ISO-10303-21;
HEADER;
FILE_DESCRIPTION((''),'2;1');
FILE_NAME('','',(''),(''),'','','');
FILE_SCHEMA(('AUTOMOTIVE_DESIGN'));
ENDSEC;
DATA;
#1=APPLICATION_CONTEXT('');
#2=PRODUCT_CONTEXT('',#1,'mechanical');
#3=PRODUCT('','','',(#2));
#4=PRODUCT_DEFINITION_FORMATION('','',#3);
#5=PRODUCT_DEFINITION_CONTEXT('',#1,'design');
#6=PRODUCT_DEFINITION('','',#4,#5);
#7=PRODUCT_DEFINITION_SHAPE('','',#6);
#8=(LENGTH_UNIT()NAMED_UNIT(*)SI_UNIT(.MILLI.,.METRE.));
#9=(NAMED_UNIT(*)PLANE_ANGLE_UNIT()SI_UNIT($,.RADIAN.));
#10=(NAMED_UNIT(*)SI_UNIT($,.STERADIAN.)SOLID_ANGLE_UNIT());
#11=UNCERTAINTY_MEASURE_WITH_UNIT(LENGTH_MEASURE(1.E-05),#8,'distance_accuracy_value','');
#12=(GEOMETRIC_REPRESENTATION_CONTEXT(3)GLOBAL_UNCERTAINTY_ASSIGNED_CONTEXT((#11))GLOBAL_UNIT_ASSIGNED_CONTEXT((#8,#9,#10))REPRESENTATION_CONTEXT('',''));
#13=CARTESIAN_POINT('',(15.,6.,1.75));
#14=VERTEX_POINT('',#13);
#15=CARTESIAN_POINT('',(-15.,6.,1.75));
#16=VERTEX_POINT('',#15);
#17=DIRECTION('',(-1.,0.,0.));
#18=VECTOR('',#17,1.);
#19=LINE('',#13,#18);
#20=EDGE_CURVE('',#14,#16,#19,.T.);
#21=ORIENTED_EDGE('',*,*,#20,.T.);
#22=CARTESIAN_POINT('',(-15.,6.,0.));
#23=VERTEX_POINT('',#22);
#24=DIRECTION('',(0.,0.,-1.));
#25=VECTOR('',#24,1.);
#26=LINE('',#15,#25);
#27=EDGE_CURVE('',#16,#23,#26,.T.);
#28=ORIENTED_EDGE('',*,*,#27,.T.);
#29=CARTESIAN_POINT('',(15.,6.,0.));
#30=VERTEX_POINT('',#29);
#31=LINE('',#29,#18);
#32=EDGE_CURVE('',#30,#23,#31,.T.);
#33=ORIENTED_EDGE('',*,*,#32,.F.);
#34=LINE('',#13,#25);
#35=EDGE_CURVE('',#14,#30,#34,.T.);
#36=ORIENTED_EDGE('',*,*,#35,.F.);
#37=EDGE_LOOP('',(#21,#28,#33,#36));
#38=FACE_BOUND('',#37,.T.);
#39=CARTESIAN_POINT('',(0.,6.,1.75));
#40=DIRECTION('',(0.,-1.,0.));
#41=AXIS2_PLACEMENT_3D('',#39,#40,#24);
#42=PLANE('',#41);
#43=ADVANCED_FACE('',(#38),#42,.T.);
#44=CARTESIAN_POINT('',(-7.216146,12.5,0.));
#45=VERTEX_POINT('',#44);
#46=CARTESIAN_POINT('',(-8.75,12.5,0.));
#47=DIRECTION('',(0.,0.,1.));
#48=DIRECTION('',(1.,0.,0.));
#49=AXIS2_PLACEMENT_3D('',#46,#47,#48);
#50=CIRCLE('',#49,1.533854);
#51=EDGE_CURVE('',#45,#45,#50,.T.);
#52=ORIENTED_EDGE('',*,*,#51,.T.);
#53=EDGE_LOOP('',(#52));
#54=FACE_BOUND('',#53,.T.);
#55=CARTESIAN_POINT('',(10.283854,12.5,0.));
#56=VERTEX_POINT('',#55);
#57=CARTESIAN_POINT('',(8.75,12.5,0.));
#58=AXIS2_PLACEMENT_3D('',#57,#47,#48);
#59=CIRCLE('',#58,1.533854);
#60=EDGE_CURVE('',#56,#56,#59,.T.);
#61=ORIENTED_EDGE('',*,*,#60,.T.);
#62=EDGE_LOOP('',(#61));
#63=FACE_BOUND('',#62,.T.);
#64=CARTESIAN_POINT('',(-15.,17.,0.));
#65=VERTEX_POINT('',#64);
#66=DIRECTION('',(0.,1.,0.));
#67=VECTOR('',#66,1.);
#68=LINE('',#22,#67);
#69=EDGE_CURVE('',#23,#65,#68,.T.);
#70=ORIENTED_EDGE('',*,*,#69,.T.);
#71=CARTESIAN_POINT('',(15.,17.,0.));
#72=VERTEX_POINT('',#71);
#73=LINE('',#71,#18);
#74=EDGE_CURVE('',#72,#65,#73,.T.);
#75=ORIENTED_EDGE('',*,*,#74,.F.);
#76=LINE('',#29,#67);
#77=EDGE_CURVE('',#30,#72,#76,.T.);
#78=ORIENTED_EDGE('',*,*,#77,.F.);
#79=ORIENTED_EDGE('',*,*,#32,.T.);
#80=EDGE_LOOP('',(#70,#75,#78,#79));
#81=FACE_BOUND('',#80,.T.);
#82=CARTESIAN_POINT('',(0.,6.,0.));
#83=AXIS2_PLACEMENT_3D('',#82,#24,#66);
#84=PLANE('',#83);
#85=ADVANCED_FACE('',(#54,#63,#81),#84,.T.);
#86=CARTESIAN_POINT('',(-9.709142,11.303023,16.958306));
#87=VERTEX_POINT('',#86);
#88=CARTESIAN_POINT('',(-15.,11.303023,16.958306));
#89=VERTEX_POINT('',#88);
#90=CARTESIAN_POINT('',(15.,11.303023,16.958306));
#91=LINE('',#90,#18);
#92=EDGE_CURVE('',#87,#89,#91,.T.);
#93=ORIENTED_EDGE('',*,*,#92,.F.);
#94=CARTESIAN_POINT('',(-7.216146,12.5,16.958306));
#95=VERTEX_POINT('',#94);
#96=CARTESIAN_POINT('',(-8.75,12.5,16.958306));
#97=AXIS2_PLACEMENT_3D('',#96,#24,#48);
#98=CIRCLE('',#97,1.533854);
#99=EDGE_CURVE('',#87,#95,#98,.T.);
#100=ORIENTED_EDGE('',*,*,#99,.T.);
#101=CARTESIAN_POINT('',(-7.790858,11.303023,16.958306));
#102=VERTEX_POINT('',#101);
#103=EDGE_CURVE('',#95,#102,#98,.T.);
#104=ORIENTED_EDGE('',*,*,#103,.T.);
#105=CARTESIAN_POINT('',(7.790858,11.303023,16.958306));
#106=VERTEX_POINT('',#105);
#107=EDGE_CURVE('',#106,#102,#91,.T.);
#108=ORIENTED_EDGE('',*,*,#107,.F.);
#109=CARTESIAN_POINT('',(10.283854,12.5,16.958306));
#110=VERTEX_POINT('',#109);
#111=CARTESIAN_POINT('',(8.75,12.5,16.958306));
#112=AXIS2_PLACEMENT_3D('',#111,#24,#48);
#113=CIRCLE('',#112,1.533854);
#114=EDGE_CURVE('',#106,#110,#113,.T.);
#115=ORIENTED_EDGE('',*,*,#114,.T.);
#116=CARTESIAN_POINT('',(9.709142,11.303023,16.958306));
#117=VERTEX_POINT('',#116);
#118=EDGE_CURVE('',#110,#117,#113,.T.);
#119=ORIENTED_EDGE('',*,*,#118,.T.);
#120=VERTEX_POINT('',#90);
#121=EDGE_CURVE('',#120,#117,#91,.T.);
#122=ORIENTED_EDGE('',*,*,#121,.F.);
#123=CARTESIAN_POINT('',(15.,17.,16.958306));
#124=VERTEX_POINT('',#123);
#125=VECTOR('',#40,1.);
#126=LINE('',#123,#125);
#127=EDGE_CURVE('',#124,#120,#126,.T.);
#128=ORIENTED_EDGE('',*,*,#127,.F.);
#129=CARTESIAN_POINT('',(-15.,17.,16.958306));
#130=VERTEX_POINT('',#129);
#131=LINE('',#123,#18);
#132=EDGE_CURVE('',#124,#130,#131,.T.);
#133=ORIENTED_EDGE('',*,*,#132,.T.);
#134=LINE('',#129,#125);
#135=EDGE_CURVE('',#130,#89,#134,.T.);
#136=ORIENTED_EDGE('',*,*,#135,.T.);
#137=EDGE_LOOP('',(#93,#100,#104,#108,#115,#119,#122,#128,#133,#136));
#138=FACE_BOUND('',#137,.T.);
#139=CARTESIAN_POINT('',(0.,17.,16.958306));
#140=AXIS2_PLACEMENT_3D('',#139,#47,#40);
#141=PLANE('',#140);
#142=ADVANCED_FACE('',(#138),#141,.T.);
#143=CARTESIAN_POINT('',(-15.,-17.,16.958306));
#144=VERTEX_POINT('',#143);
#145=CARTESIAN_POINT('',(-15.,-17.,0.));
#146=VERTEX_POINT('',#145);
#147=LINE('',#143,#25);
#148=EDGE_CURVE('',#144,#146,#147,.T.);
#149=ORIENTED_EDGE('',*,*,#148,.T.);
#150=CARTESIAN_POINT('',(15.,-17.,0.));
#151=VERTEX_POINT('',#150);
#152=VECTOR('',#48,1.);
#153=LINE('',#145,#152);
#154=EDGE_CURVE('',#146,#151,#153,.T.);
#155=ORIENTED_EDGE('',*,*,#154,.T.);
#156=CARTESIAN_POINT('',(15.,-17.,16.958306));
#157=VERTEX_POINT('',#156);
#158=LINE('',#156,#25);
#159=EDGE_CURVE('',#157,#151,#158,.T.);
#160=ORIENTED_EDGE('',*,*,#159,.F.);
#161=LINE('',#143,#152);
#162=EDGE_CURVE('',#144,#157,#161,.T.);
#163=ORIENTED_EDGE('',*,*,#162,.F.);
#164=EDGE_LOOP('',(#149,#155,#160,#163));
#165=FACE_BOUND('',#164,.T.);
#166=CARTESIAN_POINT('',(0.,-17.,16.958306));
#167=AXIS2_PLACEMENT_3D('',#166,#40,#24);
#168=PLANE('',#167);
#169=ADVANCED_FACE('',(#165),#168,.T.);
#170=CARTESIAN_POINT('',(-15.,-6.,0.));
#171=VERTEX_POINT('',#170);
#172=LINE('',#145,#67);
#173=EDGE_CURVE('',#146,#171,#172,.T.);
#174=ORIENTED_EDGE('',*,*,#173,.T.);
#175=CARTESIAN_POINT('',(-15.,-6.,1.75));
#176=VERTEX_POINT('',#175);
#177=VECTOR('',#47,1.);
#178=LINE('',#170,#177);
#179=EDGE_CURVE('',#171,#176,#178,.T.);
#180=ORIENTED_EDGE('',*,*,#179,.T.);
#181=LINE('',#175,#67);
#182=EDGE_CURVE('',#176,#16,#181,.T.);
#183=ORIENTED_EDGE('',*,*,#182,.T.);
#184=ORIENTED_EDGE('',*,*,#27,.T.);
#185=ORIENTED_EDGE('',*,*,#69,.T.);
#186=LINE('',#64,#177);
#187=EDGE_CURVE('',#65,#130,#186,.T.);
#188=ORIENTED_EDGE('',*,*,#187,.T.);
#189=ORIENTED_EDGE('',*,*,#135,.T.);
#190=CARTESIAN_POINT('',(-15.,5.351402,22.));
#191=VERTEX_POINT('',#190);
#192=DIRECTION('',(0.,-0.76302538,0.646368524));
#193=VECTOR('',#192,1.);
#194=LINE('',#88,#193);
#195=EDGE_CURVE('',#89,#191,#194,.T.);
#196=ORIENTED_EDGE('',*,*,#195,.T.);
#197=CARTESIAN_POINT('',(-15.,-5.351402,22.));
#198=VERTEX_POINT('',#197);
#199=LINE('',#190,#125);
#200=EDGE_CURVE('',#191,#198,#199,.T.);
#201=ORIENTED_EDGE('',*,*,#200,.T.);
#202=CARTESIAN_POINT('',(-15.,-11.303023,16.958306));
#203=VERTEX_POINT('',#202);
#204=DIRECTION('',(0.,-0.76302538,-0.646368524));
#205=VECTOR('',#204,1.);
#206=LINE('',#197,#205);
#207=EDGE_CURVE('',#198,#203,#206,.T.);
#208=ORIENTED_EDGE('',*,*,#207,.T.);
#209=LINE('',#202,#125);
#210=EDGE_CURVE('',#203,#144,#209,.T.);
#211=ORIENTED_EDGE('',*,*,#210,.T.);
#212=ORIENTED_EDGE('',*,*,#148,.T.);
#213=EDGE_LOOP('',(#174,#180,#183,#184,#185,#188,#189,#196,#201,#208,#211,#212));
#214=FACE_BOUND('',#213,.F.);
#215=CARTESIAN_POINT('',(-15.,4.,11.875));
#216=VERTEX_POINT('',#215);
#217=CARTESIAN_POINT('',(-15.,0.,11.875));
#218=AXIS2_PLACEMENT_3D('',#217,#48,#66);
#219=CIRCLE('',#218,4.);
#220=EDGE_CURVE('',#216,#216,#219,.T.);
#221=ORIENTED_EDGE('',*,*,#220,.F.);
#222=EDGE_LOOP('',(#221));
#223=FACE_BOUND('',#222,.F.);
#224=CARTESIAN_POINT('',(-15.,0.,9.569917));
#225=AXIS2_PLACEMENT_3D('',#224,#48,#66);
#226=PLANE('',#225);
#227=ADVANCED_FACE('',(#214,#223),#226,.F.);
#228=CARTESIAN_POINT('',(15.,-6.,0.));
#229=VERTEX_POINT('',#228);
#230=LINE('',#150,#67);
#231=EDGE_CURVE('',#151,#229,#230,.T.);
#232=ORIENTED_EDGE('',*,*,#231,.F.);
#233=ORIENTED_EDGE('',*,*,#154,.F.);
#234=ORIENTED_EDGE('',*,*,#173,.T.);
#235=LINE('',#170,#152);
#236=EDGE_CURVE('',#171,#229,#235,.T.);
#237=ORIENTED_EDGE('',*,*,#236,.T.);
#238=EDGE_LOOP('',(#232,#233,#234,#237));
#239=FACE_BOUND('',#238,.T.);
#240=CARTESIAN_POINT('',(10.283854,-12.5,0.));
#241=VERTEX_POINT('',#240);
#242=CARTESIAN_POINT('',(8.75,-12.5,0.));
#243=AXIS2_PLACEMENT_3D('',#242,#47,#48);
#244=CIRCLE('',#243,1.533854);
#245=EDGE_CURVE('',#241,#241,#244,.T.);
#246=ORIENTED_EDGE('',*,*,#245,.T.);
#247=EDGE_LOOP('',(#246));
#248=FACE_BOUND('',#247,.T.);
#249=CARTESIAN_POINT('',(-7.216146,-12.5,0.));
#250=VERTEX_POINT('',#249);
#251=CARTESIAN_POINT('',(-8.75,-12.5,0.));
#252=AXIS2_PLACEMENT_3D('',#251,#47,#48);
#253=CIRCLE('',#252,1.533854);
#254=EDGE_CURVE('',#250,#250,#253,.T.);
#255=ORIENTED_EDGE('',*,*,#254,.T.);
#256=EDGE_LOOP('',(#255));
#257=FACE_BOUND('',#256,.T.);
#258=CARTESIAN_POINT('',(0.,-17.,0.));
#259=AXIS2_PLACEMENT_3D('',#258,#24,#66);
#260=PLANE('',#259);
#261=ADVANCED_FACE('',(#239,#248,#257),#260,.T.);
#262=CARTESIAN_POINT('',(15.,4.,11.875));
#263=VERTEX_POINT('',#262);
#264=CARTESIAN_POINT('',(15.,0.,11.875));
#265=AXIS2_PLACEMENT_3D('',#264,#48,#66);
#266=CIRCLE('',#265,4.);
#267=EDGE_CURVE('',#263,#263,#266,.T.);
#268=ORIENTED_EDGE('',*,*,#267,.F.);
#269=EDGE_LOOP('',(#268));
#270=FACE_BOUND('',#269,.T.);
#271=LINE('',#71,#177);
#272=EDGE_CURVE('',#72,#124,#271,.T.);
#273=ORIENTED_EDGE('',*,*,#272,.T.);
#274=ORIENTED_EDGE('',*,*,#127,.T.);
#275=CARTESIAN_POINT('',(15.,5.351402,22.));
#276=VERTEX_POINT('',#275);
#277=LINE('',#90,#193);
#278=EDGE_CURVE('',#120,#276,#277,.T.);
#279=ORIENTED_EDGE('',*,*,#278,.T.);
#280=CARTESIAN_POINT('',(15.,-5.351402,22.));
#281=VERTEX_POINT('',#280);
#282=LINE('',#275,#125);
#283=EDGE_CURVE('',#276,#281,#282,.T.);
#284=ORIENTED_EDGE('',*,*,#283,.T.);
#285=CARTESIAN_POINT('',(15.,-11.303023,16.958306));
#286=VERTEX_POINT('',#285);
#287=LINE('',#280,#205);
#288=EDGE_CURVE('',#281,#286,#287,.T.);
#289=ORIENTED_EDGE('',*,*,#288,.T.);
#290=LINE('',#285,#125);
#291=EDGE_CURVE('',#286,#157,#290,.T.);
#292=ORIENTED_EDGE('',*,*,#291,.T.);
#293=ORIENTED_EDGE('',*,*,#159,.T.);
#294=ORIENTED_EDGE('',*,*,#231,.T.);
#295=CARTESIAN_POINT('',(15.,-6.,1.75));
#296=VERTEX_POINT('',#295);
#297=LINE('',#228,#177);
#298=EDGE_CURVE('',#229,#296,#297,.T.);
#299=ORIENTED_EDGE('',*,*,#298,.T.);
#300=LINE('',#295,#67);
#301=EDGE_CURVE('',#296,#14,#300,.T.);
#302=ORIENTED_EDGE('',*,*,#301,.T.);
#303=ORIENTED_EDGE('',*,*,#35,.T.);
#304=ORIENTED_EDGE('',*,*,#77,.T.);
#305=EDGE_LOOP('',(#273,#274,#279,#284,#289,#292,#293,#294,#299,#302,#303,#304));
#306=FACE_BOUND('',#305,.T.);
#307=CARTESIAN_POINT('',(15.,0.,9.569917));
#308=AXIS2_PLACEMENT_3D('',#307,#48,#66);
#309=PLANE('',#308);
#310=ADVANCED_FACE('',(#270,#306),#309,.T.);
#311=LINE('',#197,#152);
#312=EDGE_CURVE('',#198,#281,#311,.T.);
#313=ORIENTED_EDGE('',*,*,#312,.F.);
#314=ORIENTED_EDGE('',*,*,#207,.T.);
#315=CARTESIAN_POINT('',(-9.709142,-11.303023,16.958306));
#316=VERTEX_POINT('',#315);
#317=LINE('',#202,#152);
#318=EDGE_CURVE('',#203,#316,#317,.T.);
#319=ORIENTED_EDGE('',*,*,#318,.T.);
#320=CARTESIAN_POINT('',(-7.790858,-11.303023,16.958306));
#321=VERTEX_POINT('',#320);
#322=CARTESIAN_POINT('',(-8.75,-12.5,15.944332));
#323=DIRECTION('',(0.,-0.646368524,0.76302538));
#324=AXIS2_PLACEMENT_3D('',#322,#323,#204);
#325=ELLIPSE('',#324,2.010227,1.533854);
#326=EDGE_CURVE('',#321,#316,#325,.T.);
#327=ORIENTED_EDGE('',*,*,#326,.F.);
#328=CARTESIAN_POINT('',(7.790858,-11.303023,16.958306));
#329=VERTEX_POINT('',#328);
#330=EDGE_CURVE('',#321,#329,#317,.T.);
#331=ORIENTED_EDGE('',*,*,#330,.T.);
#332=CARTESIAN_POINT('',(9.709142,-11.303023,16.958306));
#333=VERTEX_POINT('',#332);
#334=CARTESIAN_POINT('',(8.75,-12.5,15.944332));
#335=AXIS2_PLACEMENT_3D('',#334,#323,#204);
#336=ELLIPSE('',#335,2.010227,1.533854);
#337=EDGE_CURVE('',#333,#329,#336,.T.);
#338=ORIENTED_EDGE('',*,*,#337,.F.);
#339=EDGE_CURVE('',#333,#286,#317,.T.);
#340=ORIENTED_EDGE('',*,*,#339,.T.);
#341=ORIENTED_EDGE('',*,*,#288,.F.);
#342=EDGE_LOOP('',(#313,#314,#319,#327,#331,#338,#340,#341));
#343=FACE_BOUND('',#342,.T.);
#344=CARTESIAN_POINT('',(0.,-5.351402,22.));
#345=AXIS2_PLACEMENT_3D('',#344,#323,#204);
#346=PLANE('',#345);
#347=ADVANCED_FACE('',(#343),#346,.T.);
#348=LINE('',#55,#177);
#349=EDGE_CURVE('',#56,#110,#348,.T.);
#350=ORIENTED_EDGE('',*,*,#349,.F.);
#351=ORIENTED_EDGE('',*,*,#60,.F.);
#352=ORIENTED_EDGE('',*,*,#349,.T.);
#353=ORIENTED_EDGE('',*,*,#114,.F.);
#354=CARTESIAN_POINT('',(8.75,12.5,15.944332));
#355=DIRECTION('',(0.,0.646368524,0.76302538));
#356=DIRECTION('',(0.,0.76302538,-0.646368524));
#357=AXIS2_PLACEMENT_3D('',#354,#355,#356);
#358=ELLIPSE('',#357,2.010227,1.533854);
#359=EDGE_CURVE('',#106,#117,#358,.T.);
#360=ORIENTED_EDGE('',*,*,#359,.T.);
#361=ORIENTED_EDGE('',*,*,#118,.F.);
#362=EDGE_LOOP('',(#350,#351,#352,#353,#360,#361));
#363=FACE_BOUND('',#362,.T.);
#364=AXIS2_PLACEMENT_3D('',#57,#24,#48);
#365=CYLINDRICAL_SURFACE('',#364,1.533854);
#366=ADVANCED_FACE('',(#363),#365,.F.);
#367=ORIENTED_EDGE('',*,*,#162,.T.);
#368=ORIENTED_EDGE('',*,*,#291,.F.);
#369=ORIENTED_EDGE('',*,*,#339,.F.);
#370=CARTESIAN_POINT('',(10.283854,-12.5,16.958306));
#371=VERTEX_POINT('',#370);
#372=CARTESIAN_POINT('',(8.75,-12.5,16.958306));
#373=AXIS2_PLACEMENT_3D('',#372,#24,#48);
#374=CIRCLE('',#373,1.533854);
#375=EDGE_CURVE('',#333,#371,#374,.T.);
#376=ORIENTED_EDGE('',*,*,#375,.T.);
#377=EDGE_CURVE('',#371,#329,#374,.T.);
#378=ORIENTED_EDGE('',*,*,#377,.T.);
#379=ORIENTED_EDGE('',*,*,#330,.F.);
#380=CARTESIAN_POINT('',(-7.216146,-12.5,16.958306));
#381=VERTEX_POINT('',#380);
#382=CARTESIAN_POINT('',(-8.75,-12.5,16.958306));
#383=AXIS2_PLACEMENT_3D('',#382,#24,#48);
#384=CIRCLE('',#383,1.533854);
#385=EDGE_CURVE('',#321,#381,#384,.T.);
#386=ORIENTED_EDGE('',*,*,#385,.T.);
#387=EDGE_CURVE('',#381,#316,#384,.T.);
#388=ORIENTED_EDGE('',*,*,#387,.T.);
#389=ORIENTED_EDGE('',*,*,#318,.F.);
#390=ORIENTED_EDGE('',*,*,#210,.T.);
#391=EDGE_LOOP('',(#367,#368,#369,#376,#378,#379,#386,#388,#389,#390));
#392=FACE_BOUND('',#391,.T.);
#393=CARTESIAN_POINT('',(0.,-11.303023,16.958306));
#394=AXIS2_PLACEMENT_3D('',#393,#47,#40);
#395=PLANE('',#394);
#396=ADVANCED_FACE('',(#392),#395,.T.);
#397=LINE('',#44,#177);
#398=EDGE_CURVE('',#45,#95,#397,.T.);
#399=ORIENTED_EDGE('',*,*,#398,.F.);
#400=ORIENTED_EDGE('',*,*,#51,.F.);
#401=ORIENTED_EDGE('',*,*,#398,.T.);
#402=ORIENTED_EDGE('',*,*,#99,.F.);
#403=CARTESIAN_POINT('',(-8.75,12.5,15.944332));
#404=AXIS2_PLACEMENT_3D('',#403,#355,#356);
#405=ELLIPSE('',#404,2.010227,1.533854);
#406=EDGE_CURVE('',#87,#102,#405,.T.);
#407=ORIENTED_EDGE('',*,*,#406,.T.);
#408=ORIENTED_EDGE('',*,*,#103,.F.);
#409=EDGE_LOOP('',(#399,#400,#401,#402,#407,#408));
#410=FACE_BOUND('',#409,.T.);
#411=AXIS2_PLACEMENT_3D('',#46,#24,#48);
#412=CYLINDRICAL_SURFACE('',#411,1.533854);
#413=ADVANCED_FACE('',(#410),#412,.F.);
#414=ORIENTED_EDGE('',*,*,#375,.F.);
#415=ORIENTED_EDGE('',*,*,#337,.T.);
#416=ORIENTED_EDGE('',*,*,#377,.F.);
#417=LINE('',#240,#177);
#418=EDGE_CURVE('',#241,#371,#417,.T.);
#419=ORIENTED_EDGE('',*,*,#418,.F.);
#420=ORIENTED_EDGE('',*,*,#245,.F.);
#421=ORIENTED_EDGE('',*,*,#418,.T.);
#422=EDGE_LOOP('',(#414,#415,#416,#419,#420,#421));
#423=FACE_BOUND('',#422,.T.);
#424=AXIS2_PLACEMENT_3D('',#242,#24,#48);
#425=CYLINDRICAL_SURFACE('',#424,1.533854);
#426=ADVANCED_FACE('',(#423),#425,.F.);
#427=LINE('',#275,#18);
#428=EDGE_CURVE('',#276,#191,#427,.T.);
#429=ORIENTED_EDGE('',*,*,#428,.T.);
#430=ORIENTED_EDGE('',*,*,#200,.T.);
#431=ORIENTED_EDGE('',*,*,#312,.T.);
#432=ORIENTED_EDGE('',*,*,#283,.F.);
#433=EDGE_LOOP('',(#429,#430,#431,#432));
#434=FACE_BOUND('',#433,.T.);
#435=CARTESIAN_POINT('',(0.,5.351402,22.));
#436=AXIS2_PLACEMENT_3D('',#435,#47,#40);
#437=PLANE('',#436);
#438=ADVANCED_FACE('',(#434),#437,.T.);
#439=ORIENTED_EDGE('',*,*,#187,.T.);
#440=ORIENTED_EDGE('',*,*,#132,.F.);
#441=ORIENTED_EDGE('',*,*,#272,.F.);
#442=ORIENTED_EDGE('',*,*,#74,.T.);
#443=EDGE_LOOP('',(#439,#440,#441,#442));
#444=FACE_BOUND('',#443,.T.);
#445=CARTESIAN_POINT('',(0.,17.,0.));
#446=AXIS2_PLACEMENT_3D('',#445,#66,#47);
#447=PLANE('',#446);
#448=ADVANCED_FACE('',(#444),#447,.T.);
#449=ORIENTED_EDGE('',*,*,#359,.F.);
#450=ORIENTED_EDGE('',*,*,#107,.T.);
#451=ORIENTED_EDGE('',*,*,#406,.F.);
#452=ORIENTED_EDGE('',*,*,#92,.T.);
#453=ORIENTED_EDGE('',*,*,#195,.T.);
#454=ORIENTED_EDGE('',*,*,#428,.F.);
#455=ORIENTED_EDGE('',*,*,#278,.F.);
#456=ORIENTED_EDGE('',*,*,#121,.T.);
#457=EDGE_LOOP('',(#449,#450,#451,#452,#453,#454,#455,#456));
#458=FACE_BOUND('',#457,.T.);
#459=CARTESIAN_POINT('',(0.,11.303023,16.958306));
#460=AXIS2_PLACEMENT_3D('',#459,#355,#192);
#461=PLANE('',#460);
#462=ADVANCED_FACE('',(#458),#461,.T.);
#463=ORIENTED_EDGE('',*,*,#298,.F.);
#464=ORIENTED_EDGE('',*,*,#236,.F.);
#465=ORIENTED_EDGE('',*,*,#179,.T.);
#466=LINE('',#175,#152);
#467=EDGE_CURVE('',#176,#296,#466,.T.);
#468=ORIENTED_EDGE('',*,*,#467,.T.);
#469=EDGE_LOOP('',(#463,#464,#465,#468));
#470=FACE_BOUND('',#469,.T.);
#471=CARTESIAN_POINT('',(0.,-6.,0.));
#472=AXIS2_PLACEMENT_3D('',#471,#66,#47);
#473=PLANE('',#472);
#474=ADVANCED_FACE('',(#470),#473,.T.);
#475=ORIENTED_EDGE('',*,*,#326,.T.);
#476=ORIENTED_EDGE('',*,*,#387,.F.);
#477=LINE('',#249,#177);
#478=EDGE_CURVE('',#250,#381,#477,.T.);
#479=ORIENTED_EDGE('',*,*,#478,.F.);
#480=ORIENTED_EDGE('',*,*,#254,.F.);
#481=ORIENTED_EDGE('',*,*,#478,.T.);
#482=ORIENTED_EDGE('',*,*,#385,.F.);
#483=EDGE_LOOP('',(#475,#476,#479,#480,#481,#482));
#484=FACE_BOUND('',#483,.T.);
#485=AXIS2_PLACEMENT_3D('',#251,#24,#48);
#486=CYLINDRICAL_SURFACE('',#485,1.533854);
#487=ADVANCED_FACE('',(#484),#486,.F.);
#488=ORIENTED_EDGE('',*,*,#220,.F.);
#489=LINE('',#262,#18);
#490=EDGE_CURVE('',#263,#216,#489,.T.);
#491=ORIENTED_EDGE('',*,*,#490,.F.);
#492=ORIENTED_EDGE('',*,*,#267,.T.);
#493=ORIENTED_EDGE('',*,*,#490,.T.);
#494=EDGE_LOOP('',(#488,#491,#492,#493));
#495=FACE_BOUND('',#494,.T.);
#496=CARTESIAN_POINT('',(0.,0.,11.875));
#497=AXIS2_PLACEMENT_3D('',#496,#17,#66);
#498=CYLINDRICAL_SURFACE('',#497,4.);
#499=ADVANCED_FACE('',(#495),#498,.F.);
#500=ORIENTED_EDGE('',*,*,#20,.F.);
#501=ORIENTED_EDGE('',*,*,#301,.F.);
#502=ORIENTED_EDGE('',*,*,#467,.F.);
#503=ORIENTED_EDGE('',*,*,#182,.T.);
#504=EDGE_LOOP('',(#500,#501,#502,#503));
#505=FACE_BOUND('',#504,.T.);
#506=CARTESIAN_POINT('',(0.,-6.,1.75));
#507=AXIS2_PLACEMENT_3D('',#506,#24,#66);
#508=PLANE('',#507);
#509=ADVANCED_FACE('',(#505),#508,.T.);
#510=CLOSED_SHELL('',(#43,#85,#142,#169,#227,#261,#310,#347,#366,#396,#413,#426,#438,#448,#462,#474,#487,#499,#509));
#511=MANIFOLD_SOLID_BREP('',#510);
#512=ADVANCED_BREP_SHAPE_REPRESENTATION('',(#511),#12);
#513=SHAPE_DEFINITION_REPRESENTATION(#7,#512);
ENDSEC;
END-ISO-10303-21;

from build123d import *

# Parameters (mm, degrees)
F0_R     = 4
F1_DEPTH = 15
F2_R     = 1.533854
F3_DEPTH = 25


with BuildPart() as f1:
    # F0 (on Right) → F1 (new body, symmetric)
    with BuildSketch(Plane.YZ):
        Polygon((5.351402, 22), (-5.351402, 22), (-11.303023, 16.958306), (-17, 16.958306), (-17, 0), (-6, 0), (-6, 1.75), (6, 1.75), (6, 0), (17, 0), (17, 16.958306), (11.303023, 16.958306), align=None)
        with Locations((0, 11.875)):
            Circle(F0_R, mode=Mode.SUBTRACT)
    extrude(amount=F1_DEPTH, both=True)

    # F2 (on Top) → F3 (cut)
    with BuildSketch(Plane.XY):
        with Locations((-8.75, -12.5)):
            Circle(F2_R)
        with Locations((-8.75, 12.5)):
            Circle(F2_R)
        with Locations((8.75, 12.5)):
            Circle(F2_R)
        with Locations((8.75, -12.5)):
            Circle(F2_R)
    extrude(amount=F3_DEPTH, mode=Mode.SUBTRACT)


solid = f1.part
